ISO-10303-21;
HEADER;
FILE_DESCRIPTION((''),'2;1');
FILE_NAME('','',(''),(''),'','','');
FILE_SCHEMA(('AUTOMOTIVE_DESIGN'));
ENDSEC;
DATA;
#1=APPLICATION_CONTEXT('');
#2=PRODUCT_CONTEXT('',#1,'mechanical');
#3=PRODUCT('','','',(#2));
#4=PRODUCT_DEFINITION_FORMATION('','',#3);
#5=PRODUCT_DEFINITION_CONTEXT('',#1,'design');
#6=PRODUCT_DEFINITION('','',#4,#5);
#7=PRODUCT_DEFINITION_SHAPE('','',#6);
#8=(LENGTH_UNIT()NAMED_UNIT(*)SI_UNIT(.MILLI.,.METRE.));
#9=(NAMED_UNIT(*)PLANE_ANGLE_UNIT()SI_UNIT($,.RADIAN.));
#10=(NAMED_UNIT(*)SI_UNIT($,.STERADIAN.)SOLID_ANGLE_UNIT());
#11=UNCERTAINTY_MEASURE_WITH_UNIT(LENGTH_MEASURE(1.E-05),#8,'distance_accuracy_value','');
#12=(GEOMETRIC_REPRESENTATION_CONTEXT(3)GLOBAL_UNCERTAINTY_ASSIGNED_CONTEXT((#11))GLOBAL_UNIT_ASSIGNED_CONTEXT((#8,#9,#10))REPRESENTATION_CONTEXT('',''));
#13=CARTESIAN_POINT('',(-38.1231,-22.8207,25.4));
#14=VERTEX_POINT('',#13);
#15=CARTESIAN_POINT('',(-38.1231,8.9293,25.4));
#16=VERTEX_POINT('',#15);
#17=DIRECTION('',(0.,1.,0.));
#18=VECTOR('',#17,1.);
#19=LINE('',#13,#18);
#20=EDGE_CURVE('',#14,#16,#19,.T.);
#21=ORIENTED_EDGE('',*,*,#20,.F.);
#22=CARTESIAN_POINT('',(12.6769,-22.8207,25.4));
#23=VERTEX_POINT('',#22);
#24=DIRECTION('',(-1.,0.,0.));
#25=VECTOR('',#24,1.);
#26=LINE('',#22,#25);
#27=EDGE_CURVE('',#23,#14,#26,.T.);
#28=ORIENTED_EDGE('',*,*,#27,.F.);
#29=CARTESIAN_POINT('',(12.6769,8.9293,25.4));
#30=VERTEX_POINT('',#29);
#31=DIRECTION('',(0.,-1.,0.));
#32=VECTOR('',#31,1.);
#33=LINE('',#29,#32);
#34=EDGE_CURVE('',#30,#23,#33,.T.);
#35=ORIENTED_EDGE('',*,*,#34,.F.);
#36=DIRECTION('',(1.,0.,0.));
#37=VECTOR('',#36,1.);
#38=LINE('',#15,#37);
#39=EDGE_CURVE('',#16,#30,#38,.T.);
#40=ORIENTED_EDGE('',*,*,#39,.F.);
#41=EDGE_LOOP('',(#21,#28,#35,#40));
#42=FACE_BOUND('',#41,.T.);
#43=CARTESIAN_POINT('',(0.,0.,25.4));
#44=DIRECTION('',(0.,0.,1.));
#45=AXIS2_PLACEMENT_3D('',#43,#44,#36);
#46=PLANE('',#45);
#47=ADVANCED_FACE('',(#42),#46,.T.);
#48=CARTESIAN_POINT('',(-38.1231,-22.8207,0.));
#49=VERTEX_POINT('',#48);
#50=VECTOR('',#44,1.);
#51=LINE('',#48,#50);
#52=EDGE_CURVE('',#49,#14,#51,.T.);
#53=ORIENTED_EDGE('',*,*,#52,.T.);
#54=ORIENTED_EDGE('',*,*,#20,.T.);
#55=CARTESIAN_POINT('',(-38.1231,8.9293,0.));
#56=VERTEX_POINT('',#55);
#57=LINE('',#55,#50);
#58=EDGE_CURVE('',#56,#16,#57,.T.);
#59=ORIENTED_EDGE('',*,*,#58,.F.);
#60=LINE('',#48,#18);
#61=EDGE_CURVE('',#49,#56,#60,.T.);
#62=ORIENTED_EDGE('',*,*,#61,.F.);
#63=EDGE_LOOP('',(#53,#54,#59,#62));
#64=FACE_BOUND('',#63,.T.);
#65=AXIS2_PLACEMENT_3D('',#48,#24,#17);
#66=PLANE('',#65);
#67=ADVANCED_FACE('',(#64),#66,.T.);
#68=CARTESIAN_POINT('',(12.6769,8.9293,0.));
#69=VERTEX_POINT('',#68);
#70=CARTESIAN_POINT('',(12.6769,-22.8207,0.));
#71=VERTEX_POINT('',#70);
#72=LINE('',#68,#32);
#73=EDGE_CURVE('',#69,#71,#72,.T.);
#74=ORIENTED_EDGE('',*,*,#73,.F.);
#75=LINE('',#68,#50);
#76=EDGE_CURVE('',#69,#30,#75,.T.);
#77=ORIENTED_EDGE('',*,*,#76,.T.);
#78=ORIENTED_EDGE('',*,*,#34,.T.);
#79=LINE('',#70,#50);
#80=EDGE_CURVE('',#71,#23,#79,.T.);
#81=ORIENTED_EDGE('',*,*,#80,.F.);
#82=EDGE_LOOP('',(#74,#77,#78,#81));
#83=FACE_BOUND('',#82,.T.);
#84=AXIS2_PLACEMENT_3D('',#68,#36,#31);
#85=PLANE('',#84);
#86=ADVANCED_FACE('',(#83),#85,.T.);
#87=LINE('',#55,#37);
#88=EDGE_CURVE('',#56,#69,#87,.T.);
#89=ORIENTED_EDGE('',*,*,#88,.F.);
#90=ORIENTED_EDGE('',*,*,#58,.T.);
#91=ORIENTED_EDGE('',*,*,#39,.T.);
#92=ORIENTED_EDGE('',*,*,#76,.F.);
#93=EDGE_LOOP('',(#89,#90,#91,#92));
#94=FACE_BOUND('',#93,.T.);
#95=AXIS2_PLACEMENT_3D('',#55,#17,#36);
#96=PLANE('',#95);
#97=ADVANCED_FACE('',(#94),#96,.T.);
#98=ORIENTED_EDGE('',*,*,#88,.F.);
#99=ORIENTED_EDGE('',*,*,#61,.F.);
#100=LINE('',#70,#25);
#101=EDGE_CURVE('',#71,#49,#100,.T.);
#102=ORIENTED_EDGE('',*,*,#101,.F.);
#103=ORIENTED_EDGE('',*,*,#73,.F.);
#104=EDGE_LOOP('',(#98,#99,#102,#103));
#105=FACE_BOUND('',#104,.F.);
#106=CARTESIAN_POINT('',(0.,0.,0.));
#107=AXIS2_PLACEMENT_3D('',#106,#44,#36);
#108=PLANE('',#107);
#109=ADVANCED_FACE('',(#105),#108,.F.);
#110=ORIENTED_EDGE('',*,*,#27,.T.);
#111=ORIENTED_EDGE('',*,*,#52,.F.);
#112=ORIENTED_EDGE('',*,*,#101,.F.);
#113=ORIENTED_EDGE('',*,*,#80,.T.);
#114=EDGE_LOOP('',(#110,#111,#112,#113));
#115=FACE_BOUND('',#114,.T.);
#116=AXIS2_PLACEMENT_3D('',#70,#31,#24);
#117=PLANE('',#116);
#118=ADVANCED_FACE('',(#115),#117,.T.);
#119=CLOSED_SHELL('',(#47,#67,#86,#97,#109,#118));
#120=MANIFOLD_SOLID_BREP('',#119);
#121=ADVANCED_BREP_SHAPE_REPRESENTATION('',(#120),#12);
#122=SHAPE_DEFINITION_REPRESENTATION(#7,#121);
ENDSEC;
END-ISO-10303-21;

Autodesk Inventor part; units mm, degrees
ref_plane "YZ Plane" through (0, 0, 0) normal (1, 0, 0) x (0, 1, 0)
ref_plane "XZ Plane" through (0, 0, 0) normal (0, 1, 0) x (-1, 0, 0)
ref_plane "XY Plane" through (0, 0, 0) normal (0, 0, 1) x (1, 0, 0)
sketch "Sketch1" plane through (0, 0, 0) normal (0, 0, 1) x (1, 0, 0)
  line L0 (-38.1231, 8.9293) -> (12.6769, 8.9293)
  line L1 (12.6769, 8.9293) -> (12.6769, -22.8207)
  line L2 (12.6769, -22.8207) -> (-38.1231, -22.8207)
  line L3 (-38.1231, -22.8207) -> (-38.1231, 8.9293)
  point P0 (0, 0)
  dimension "d0" = 50.8
  dimension "d1" = 31.75
extrude "Extrusion1" add sketch "Sketch1" along normal blind 25.4
properties part number "2 x1"
